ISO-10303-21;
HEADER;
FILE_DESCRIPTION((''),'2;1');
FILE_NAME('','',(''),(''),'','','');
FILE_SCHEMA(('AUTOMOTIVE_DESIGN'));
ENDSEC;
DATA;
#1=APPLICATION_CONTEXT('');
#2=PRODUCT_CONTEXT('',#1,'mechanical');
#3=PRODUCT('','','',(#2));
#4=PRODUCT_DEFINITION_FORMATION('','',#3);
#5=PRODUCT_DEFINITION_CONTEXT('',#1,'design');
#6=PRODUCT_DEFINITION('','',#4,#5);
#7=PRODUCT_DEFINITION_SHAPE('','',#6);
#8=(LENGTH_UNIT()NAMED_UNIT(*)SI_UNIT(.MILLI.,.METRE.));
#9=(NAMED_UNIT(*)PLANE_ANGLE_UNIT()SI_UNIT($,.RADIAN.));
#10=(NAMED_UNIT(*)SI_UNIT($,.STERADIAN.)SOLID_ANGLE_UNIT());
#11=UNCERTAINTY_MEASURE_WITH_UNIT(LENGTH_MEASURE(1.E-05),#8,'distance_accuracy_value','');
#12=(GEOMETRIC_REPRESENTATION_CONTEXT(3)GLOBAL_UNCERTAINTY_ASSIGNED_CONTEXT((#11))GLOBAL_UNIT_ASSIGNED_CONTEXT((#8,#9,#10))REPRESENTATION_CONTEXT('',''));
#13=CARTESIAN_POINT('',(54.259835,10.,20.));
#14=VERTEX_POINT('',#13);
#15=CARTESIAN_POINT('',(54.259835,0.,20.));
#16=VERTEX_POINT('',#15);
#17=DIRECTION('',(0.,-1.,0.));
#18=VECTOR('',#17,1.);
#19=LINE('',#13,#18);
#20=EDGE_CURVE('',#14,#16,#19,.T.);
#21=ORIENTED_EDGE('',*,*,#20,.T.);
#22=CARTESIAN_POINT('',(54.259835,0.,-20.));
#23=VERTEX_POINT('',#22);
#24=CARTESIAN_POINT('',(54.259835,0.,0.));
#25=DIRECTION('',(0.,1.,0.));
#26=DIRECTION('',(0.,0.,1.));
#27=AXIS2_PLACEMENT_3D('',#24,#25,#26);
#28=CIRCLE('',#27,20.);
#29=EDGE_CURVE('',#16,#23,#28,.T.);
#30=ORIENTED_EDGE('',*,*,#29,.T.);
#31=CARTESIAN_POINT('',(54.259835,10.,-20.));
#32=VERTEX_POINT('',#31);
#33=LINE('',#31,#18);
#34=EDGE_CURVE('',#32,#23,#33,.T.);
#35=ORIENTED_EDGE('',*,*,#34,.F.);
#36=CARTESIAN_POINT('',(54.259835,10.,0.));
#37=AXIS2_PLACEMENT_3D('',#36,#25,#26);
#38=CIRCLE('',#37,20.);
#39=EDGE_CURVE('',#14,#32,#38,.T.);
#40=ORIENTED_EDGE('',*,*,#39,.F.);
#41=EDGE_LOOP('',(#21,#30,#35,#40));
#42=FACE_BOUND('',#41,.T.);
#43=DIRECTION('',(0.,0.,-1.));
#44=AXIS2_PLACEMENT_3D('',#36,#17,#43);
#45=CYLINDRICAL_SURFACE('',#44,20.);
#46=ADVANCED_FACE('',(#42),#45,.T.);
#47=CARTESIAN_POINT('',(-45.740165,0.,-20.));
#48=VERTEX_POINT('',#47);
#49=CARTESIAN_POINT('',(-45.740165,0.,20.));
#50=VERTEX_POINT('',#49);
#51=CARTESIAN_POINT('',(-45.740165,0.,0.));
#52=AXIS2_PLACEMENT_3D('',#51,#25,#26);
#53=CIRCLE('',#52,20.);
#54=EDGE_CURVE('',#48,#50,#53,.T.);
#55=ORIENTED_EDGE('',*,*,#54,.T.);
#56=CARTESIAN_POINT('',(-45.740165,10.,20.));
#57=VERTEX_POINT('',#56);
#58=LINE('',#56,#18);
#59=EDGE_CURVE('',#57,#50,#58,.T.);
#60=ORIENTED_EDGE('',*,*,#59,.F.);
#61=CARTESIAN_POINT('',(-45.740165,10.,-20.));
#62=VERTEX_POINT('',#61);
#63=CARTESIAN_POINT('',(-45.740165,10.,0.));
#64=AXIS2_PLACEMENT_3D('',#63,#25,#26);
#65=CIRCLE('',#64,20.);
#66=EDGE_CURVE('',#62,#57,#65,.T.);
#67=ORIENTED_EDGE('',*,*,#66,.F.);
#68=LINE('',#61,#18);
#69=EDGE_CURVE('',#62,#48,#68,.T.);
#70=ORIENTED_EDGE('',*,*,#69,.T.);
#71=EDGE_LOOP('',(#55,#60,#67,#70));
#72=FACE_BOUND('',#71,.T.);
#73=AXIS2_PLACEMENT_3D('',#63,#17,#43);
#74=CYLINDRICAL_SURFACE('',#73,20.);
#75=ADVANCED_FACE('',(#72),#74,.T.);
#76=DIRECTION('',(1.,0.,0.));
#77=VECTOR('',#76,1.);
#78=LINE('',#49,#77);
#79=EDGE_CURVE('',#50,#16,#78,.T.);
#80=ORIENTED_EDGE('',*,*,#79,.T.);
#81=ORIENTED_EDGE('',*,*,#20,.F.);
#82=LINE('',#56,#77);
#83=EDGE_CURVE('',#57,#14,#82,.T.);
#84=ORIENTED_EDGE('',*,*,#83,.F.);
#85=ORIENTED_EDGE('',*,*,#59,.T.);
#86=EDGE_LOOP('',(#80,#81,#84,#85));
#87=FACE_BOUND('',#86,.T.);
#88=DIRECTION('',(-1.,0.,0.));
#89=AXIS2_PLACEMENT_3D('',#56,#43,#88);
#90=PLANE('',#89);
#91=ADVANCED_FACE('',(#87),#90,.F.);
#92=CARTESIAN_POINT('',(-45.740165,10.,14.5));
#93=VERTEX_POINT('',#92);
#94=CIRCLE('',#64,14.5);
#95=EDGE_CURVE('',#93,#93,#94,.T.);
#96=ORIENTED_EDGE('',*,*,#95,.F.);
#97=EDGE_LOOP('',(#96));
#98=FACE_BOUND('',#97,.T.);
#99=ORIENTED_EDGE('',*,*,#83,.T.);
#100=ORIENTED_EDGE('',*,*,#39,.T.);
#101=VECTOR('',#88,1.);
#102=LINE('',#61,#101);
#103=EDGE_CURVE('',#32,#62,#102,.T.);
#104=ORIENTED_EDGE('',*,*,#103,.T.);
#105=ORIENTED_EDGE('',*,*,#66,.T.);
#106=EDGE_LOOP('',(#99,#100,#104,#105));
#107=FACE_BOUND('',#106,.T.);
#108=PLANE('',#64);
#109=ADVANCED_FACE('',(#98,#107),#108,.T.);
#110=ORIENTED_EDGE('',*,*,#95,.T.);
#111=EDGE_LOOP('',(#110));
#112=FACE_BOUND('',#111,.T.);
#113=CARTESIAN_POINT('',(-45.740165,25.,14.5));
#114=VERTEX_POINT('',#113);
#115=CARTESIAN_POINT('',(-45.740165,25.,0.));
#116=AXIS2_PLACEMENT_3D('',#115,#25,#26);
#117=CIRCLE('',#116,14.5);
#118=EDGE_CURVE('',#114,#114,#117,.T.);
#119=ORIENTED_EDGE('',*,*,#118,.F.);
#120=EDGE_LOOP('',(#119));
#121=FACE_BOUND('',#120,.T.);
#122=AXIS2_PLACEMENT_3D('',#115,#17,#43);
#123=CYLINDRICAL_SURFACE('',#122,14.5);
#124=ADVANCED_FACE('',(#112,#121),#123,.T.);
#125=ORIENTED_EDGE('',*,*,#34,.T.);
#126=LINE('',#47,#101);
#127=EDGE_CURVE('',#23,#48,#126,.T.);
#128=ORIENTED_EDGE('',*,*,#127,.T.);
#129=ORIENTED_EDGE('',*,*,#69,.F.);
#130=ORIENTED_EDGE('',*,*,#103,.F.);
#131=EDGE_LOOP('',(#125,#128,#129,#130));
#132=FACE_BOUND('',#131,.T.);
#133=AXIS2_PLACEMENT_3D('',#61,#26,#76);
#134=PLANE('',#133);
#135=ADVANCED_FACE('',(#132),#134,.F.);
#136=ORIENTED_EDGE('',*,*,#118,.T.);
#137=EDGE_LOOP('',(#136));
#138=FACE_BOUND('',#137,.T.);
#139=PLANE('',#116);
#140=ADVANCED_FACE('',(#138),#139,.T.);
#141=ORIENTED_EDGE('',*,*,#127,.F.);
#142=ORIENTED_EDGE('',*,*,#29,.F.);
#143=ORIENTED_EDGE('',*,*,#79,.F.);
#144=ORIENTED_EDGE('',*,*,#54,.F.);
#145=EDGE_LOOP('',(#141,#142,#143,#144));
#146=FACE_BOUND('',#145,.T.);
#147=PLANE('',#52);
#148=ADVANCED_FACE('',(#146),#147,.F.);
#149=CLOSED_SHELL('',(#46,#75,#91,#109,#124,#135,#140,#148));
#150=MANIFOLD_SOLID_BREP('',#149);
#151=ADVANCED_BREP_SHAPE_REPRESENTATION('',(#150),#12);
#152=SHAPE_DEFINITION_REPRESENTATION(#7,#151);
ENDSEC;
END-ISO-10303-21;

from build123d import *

# Parameters (mm, degrees)
BOSS_EXTRUDE2_DEPTH = 10
SKETCH2_R           = 14.5
BOSS_EXTRUDE3_DEPTH = 15


with BuildPart() as part:
    # Sketch1 → Boss-Extrude2 (new body)
    with BuildSketch(Plane(origin=(0, 0, 0), x_dir=(1, 0, 0), z_dir=(0, 1, 0))):
        with BuildLine():
            Line((-45.740165089, 20), (54.259834911, 20))
            ThreePointArc((54.259834911, 20), (74.259834911, 0), (54.259834911, -20))
            Line((54.259834911, -20), (-45.740165089, -20))
            ThreePointArc((-45.740165089, -20), (-65.740165089, 0), (-45.740165089, 20))
        make_face()
    extrude(amount=BOSS_EXTRUDE2_DEPTH)

    # Sketch2 → Boss-Extrude3 (add)
    with BuildSketch(Plane(origin=(0, 10, 0), x_dir=(1, 0, 0), z_dir=(0, 1, 0))):
        with Locations(Location((-45.740165089, 0, 0), (0, 0, 270))):
            Circle(SKETCH2_R)
    extrude(amount=BOSS_EXTRUDE3_DEPTH)


solid = part.part
